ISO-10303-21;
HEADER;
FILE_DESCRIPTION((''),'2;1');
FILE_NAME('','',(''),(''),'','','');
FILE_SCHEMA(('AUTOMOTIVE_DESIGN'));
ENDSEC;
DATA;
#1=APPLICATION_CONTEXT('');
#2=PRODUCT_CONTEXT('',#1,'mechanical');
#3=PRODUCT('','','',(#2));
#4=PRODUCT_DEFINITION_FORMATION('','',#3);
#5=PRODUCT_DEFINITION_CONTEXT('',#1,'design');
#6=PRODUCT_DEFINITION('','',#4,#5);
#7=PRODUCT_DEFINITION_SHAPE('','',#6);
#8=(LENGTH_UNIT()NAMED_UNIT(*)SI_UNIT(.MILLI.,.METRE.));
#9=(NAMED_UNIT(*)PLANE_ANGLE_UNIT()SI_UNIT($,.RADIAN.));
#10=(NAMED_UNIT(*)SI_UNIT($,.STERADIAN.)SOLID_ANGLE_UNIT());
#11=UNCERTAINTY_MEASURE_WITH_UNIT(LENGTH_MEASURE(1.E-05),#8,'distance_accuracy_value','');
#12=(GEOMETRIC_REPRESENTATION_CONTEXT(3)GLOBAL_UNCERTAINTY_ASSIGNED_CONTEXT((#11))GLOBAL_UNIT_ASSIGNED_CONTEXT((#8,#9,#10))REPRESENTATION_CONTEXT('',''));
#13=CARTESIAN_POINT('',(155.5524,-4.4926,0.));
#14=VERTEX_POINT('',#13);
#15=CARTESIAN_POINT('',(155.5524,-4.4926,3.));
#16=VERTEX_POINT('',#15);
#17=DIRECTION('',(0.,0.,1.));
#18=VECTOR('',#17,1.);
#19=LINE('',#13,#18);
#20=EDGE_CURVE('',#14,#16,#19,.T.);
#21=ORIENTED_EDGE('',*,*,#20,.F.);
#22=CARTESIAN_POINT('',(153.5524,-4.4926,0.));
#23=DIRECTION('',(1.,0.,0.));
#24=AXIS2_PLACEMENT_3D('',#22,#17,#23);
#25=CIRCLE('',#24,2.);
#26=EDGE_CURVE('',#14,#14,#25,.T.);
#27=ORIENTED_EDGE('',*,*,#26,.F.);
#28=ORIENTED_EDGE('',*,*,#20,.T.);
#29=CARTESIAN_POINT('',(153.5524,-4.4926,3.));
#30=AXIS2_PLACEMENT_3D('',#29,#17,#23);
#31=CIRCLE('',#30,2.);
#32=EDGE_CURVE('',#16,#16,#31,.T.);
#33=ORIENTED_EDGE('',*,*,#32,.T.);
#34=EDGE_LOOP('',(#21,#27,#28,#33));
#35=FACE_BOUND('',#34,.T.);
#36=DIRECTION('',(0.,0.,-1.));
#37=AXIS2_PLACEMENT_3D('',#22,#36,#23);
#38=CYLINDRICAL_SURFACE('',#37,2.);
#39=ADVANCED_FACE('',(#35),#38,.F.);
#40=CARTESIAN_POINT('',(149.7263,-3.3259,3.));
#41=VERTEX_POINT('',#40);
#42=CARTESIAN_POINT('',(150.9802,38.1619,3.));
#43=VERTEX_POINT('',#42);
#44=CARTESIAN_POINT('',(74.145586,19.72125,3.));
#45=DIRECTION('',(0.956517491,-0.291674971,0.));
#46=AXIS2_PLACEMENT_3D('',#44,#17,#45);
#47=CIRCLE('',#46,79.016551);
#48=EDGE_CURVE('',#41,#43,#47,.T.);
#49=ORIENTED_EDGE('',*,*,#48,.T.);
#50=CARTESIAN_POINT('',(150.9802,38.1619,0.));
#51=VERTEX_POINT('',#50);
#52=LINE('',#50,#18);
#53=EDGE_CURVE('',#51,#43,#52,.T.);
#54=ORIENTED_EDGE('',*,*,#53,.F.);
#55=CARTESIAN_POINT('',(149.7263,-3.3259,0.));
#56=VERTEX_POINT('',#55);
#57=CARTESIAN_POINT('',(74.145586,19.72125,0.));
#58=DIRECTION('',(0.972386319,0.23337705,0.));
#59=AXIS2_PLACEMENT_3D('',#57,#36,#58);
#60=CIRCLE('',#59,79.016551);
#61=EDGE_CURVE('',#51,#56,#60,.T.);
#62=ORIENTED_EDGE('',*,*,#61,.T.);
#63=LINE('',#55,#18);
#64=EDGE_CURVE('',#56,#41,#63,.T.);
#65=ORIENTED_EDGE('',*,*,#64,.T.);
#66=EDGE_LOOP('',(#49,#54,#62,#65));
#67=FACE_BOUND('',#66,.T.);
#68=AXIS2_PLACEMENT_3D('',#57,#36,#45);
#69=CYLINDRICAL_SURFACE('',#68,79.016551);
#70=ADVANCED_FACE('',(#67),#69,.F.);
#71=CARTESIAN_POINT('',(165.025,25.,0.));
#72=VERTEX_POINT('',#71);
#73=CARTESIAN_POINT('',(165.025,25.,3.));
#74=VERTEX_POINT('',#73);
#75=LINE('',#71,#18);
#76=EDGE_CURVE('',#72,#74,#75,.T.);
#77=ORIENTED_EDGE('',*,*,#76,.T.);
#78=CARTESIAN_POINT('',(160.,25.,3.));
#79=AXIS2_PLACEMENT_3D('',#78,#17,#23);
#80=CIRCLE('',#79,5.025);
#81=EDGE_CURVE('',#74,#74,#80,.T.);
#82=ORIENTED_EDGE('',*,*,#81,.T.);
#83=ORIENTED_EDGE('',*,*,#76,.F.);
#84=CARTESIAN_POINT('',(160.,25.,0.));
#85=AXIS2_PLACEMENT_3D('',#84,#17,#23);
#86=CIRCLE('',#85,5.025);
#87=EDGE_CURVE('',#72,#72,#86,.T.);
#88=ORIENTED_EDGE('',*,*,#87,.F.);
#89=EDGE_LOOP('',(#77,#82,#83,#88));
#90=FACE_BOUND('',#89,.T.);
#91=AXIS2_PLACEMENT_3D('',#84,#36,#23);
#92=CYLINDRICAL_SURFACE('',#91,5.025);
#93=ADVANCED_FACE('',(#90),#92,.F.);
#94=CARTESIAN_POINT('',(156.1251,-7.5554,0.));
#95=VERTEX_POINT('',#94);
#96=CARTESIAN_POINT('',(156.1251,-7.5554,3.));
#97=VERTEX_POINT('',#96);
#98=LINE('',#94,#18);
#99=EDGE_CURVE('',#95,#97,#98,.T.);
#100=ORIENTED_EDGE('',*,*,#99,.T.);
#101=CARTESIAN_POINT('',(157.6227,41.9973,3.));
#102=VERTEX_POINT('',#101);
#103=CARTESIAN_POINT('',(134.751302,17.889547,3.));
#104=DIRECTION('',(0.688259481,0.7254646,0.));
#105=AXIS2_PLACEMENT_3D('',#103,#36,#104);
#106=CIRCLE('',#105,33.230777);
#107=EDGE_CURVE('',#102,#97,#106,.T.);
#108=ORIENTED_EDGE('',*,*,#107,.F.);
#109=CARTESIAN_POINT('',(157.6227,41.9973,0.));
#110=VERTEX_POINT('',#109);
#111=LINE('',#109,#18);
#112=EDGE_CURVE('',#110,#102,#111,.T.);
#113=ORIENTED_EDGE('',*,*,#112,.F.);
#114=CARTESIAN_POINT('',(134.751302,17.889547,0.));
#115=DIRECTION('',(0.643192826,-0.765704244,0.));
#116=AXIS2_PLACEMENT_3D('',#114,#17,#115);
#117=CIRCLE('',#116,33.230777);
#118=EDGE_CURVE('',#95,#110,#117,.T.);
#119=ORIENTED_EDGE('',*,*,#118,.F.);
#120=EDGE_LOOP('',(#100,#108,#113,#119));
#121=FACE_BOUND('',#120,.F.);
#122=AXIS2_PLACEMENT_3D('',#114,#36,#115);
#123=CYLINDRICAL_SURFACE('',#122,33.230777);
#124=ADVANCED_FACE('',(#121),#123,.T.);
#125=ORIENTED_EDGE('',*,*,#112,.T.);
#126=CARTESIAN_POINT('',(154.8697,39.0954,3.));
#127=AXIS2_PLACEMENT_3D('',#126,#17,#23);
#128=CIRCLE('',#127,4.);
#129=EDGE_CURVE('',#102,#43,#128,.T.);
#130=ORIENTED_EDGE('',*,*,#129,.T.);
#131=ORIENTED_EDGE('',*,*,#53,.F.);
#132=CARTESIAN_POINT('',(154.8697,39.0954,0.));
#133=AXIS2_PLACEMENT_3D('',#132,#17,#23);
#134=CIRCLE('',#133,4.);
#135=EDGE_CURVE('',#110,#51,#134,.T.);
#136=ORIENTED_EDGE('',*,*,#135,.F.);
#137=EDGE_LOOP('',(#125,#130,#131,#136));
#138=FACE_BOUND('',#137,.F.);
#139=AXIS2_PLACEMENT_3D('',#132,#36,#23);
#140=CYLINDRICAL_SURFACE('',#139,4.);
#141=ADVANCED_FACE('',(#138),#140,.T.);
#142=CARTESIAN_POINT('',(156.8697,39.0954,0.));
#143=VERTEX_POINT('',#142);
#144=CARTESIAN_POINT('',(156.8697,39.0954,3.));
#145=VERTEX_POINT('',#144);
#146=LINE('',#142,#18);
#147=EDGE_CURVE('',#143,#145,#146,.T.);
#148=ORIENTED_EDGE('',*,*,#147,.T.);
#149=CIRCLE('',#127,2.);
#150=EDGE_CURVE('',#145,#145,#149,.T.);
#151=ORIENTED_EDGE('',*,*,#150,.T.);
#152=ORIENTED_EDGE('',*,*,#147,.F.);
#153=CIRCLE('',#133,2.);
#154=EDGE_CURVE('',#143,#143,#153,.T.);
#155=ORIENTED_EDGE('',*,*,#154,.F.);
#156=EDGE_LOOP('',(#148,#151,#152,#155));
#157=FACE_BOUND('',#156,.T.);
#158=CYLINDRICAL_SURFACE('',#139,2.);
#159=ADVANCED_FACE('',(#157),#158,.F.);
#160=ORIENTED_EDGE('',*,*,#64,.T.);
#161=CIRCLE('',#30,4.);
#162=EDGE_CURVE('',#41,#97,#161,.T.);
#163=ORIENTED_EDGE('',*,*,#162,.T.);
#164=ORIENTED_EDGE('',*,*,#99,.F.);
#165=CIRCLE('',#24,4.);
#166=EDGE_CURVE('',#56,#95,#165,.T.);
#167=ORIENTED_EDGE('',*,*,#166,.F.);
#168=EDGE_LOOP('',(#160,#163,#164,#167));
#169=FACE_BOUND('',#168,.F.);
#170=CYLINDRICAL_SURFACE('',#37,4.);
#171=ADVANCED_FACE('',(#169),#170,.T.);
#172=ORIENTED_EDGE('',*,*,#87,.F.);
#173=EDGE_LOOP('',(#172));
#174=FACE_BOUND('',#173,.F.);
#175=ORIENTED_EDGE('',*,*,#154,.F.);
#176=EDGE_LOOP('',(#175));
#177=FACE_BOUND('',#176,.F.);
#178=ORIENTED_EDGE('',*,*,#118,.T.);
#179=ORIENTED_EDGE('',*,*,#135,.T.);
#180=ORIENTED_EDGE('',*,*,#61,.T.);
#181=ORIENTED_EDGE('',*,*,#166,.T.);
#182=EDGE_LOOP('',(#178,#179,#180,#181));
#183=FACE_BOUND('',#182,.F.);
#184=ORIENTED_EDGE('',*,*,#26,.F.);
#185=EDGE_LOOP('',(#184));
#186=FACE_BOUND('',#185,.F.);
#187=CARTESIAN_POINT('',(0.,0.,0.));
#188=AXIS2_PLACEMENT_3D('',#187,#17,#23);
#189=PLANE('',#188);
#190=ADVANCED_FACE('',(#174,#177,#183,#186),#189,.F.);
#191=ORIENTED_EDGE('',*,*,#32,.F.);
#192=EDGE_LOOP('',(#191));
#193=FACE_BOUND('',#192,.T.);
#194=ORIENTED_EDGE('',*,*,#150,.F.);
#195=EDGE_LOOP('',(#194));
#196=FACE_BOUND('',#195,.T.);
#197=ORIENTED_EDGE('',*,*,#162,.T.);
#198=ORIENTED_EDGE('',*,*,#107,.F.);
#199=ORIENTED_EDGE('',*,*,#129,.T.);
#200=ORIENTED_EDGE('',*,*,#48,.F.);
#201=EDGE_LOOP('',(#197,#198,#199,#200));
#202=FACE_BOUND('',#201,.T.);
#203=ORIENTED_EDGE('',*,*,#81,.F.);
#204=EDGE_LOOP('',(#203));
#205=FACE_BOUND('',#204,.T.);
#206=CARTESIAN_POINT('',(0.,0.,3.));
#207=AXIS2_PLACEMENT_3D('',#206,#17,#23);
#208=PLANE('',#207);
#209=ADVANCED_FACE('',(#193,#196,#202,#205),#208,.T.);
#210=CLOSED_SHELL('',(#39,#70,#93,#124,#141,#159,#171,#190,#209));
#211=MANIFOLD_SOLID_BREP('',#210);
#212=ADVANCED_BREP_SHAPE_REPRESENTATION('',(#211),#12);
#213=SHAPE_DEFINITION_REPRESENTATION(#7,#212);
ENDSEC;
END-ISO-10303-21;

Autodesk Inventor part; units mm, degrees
ref_plane "YZ Plane" through (0, 0, 0) normal (1, 0, 0) x (0, 1, 0)
ref_plane "XZ Plane" through (0, 0, 0) normal (0, 1, 0) x (-1, 0, 0)
ref_plane "XY Plane" through (0, 0, 0) normal (0, 0, 1) x (1, 0, 0)
sketch "スケッチ1" plane through (0, 0, 0) normal (0, 0, 1) x (1, 0, 0)
  circle A0 centre (154.8697, 39.0954) radius 2
  circle A1 centre (153.5524, -4.4926) radius 2
  circle A2 centre (160, 25) radius 2
  circle A3 centre (154.8697, 39.0954) radius 4
  circle A4 centre (153.5524, -4.4926) radius 4
  circle A5 centre (160, 25) radius 7
  circle A6 centre (160, 25) radius 5.025
  arc A7 (149.7263, -3.3259) -> (150.9802, 38.1619) centre (74.1465, 19.7211) ccw
  arc A8 (156.1251, -7.5554) -> (157.6227, 41.9973) centre (134.7514, 17.8895) ccw
  point P0 (0, 0)
  point P1 (0, 0)
  dimension "d0" = 8
  dimension "d1" = 8
  dimension "d2" = 14
  dimension "d3" = 10.05
extrude "押し出し1" add sketch "スケッチ1" along normal blind 3 contours A3 | A3 A8 A5 A7 | A8 A4 A7 A5 | A5 | A4
properties part number "原動節固定部" material "アルミニウム 2014-T4"
